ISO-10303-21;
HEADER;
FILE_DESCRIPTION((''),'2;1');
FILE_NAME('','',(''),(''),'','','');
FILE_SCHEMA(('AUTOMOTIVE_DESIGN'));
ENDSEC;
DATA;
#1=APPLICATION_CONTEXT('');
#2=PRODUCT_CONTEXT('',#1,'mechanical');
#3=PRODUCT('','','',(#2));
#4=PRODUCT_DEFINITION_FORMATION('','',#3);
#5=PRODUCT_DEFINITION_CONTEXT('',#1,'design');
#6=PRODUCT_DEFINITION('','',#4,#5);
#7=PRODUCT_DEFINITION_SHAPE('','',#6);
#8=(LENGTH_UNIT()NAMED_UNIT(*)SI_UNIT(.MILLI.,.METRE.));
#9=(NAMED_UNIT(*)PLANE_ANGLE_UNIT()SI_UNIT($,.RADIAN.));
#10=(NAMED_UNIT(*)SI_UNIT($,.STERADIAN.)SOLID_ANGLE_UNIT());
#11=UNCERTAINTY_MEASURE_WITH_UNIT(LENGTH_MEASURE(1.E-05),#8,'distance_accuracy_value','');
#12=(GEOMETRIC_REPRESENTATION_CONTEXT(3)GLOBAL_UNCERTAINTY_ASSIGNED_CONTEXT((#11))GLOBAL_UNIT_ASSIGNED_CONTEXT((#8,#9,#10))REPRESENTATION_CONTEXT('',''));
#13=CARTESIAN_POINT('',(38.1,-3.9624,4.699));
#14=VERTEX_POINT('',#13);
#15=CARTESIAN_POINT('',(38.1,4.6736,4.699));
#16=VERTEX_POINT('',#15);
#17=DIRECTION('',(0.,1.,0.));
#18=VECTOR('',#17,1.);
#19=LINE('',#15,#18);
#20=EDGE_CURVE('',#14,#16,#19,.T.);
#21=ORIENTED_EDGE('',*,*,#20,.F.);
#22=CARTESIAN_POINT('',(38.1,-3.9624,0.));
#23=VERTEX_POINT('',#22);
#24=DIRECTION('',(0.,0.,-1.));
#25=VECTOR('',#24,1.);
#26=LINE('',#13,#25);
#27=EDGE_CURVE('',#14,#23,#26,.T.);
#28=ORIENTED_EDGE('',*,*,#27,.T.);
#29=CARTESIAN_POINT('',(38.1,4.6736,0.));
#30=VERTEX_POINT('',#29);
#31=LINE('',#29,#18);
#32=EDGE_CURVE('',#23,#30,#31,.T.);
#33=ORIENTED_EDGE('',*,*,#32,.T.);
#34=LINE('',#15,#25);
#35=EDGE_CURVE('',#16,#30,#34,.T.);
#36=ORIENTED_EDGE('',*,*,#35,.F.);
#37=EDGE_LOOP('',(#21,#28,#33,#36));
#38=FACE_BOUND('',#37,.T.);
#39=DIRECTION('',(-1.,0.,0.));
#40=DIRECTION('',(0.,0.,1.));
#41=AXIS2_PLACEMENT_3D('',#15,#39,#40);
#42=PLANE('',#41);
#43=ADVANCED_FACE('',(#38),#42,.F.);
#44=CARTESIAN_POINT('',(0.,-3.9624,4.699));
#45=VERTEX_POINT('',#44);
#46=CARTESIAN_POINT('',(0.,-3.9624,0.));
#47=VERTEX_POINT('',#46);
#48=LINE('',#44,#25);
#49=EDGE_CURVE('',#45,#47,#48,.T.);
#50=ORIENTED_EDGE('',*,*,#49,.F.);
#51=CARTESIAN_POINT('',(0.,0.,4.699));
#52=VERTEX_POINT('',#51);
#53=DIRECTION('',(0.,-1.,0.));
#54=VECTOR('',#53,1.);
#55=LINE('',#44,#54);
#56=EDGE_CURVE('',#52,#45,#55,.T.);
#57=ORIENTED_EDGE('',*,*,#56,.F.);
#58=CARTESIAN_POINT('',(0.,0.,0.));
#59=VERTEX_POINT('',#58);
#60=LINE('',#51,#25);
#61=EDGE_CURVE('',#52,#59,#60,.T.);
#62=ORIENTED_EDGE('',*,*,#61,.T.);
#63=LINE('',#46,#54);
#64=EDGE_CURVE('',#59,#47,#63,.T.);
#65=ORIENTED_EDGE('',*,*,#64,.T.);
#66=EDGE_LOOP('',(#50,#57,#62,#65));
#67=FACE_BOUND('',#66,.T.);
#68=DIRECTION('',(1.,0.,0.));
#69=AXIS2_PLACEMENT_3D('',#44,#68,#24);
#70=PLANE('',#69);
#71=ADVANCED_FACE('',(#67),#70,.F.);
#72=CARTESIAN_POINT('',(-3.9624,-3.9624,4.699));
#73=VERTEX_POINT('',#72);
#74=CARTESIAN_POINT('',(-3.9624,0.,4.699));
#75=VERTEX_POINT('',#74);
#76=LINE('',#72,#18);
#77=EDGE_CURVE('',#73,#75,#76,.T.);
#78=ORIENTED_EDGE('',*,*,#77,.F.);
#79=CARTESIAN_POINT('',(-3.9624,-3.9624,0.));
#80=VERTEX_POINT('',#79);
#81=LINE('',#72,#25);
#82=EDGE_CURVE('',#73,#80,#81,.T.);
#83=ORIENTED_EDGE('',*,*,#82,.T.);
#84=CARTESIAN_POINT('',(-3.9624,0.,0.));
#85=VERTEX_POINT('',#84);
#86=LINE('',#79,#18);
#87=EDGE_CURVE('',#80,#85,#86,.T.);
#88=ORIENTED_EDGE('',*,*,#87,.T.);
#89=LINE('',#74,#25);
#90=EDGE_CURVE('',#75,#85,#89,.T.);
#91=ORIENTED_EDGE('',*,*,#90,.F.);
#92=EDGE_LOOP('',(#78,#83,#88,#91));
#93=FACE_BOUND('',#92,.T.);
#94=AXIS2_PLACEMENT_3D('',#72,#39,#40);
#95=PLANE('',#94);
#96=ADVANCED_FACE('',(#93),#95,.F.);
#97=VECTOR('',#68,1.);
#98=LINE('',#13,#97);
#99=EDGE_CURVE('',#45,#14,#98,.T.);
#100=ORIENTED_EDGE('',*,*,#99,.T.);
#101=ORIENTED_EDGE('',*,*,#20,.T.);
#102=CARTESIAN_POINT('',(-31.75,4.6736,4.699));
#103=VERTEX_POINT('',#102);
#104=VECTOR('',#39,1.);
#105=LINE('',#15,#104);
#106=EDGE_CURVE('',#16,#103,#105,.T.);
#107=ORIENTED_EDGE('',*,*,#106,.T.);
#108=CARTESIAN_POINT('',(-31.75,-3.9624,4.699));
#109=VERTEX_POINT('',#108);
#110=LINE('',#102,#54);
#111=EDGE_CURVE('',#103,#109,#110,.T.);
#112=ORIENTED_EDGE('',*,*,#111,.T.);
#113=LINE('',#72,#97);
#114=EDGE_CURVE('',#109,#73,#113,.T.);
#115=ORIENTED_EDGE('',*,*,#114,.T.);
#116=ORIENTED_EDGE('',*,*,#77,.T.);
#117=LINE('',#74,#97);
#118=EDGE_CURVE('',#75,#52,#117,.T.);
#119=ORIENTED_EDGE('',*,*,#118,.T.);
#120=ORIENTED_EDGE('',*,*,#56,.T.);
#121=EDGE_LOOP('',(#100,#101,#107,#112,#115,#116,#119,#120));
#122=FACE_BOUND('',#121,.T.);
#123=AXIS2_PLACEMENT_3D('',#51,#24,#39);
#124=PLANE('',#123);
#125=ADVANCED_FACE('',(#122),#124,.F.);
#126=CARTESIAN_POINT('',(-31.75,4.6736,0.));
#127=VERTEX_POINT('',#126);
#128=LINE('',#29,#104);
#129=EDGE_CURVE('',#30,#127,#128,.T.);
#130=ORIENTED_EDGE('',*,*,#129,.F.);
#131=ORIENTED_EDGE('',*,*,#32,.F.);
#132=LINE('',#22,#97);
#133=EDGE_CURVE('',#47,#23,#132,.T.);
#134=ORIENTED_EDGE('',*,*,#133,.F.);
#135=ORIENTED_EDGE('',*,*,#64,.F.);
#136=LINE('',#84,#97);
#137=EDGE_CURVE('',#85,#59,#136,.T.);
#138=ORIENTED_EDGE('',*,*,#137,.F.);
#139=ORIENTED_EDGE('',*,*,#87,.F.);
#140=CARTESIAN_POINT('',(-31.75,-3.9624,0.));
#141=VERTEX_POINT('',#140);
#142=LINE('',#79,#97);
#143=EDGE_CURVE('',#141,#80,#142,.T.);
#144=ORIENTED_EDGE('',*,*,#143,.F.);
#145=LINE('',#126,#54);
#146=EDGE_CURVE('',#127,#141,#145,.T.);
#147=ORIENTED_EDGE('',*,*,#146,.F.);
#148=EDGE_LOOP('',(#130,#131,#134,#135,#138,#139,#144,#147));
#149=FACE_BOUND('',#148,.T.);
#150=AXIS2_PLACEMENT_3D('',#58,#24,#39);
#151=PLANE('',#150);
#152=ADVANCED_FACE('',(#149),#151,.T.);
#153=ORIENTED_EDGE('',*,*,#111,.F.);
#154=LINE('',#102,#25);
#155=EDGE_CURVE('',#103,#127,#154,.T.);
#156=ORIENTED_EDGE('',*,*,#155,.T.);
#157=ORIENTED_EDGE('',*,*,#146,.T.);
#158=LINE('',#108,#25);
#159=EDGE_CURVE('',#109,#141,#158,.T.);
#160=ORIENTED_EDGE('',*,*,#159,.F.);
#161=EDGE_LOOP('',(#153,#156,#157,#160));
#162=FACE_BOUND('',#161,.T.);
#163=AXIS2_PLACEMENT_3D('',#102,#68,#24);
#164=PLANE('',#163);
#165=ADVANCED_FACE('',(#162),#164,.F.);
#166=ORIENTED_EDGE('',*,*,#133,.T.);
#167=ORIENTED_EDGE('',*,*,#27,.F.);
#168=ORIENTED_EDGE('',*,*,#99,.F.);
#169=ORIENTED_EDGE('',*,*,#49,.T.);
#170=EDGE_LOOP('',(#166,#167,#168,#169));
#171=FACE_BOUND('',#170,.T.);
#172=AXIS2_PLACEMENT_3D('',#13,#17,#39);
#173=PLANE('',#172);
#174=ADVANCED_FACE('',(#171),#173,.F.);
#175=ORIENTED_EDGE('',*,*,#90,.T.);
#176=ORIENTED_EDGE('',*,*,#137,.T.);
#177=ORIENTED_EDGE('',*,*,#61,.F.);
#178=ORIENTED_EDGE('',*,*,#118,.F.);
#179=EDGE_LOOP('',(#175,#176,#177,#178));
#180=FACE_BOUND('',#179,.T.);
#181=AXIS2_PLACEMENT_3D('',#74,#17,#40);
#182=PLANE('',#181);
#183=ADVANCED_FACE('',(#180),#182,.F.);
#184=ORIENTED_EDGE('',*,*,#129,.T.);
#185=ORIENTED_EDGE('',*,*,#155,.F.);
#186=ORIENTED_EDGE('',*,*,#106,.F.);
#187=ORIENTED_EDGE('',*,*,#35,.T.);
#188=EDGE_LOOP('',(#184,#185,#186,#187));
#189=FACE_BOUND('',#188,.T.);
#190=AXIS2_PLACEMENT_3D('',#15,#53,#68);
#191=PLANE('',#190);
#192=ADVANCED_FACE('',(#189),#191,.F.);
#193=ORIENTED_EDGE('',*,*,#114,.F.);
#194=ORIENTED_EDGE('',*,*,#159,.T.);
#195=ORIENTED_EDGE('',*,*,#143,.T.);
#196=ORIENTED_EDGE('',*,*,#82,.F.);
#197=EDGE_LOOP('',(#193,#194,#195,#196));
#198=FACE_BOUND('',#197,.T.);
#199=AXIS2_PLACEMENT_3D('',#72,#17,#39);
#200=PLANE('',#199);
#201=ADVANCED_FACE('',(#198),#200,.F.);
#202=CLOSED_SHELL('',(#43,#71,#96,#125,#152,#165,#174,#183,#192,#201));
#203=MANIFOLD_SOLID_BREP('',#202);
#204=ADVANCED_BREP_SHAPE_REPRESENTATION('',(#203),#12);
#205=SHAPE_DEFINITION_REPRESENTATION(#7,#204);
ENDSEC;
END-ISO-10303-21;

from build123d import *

# Parameters (mm, degrees)
BOSS_EXTRUDE1_DEPTH = 4.699


with BuildPart() as part:
    # Sketch1 → Boss-Extrude1 (new body)
    with BuildSketch(Plane.XY):
        Polygon((-3.9624, -3.9624), (-31.75, -3.9624), (-31.75, 4.6736), (38.1, 4.6736), (38.1, -3.9624), (0, -3.9624), (0, 0), (-3.9624, 0), align=None)
    extrude(amount=BOSS_EXTRUDE1_DEPTH)


solid = part.part
